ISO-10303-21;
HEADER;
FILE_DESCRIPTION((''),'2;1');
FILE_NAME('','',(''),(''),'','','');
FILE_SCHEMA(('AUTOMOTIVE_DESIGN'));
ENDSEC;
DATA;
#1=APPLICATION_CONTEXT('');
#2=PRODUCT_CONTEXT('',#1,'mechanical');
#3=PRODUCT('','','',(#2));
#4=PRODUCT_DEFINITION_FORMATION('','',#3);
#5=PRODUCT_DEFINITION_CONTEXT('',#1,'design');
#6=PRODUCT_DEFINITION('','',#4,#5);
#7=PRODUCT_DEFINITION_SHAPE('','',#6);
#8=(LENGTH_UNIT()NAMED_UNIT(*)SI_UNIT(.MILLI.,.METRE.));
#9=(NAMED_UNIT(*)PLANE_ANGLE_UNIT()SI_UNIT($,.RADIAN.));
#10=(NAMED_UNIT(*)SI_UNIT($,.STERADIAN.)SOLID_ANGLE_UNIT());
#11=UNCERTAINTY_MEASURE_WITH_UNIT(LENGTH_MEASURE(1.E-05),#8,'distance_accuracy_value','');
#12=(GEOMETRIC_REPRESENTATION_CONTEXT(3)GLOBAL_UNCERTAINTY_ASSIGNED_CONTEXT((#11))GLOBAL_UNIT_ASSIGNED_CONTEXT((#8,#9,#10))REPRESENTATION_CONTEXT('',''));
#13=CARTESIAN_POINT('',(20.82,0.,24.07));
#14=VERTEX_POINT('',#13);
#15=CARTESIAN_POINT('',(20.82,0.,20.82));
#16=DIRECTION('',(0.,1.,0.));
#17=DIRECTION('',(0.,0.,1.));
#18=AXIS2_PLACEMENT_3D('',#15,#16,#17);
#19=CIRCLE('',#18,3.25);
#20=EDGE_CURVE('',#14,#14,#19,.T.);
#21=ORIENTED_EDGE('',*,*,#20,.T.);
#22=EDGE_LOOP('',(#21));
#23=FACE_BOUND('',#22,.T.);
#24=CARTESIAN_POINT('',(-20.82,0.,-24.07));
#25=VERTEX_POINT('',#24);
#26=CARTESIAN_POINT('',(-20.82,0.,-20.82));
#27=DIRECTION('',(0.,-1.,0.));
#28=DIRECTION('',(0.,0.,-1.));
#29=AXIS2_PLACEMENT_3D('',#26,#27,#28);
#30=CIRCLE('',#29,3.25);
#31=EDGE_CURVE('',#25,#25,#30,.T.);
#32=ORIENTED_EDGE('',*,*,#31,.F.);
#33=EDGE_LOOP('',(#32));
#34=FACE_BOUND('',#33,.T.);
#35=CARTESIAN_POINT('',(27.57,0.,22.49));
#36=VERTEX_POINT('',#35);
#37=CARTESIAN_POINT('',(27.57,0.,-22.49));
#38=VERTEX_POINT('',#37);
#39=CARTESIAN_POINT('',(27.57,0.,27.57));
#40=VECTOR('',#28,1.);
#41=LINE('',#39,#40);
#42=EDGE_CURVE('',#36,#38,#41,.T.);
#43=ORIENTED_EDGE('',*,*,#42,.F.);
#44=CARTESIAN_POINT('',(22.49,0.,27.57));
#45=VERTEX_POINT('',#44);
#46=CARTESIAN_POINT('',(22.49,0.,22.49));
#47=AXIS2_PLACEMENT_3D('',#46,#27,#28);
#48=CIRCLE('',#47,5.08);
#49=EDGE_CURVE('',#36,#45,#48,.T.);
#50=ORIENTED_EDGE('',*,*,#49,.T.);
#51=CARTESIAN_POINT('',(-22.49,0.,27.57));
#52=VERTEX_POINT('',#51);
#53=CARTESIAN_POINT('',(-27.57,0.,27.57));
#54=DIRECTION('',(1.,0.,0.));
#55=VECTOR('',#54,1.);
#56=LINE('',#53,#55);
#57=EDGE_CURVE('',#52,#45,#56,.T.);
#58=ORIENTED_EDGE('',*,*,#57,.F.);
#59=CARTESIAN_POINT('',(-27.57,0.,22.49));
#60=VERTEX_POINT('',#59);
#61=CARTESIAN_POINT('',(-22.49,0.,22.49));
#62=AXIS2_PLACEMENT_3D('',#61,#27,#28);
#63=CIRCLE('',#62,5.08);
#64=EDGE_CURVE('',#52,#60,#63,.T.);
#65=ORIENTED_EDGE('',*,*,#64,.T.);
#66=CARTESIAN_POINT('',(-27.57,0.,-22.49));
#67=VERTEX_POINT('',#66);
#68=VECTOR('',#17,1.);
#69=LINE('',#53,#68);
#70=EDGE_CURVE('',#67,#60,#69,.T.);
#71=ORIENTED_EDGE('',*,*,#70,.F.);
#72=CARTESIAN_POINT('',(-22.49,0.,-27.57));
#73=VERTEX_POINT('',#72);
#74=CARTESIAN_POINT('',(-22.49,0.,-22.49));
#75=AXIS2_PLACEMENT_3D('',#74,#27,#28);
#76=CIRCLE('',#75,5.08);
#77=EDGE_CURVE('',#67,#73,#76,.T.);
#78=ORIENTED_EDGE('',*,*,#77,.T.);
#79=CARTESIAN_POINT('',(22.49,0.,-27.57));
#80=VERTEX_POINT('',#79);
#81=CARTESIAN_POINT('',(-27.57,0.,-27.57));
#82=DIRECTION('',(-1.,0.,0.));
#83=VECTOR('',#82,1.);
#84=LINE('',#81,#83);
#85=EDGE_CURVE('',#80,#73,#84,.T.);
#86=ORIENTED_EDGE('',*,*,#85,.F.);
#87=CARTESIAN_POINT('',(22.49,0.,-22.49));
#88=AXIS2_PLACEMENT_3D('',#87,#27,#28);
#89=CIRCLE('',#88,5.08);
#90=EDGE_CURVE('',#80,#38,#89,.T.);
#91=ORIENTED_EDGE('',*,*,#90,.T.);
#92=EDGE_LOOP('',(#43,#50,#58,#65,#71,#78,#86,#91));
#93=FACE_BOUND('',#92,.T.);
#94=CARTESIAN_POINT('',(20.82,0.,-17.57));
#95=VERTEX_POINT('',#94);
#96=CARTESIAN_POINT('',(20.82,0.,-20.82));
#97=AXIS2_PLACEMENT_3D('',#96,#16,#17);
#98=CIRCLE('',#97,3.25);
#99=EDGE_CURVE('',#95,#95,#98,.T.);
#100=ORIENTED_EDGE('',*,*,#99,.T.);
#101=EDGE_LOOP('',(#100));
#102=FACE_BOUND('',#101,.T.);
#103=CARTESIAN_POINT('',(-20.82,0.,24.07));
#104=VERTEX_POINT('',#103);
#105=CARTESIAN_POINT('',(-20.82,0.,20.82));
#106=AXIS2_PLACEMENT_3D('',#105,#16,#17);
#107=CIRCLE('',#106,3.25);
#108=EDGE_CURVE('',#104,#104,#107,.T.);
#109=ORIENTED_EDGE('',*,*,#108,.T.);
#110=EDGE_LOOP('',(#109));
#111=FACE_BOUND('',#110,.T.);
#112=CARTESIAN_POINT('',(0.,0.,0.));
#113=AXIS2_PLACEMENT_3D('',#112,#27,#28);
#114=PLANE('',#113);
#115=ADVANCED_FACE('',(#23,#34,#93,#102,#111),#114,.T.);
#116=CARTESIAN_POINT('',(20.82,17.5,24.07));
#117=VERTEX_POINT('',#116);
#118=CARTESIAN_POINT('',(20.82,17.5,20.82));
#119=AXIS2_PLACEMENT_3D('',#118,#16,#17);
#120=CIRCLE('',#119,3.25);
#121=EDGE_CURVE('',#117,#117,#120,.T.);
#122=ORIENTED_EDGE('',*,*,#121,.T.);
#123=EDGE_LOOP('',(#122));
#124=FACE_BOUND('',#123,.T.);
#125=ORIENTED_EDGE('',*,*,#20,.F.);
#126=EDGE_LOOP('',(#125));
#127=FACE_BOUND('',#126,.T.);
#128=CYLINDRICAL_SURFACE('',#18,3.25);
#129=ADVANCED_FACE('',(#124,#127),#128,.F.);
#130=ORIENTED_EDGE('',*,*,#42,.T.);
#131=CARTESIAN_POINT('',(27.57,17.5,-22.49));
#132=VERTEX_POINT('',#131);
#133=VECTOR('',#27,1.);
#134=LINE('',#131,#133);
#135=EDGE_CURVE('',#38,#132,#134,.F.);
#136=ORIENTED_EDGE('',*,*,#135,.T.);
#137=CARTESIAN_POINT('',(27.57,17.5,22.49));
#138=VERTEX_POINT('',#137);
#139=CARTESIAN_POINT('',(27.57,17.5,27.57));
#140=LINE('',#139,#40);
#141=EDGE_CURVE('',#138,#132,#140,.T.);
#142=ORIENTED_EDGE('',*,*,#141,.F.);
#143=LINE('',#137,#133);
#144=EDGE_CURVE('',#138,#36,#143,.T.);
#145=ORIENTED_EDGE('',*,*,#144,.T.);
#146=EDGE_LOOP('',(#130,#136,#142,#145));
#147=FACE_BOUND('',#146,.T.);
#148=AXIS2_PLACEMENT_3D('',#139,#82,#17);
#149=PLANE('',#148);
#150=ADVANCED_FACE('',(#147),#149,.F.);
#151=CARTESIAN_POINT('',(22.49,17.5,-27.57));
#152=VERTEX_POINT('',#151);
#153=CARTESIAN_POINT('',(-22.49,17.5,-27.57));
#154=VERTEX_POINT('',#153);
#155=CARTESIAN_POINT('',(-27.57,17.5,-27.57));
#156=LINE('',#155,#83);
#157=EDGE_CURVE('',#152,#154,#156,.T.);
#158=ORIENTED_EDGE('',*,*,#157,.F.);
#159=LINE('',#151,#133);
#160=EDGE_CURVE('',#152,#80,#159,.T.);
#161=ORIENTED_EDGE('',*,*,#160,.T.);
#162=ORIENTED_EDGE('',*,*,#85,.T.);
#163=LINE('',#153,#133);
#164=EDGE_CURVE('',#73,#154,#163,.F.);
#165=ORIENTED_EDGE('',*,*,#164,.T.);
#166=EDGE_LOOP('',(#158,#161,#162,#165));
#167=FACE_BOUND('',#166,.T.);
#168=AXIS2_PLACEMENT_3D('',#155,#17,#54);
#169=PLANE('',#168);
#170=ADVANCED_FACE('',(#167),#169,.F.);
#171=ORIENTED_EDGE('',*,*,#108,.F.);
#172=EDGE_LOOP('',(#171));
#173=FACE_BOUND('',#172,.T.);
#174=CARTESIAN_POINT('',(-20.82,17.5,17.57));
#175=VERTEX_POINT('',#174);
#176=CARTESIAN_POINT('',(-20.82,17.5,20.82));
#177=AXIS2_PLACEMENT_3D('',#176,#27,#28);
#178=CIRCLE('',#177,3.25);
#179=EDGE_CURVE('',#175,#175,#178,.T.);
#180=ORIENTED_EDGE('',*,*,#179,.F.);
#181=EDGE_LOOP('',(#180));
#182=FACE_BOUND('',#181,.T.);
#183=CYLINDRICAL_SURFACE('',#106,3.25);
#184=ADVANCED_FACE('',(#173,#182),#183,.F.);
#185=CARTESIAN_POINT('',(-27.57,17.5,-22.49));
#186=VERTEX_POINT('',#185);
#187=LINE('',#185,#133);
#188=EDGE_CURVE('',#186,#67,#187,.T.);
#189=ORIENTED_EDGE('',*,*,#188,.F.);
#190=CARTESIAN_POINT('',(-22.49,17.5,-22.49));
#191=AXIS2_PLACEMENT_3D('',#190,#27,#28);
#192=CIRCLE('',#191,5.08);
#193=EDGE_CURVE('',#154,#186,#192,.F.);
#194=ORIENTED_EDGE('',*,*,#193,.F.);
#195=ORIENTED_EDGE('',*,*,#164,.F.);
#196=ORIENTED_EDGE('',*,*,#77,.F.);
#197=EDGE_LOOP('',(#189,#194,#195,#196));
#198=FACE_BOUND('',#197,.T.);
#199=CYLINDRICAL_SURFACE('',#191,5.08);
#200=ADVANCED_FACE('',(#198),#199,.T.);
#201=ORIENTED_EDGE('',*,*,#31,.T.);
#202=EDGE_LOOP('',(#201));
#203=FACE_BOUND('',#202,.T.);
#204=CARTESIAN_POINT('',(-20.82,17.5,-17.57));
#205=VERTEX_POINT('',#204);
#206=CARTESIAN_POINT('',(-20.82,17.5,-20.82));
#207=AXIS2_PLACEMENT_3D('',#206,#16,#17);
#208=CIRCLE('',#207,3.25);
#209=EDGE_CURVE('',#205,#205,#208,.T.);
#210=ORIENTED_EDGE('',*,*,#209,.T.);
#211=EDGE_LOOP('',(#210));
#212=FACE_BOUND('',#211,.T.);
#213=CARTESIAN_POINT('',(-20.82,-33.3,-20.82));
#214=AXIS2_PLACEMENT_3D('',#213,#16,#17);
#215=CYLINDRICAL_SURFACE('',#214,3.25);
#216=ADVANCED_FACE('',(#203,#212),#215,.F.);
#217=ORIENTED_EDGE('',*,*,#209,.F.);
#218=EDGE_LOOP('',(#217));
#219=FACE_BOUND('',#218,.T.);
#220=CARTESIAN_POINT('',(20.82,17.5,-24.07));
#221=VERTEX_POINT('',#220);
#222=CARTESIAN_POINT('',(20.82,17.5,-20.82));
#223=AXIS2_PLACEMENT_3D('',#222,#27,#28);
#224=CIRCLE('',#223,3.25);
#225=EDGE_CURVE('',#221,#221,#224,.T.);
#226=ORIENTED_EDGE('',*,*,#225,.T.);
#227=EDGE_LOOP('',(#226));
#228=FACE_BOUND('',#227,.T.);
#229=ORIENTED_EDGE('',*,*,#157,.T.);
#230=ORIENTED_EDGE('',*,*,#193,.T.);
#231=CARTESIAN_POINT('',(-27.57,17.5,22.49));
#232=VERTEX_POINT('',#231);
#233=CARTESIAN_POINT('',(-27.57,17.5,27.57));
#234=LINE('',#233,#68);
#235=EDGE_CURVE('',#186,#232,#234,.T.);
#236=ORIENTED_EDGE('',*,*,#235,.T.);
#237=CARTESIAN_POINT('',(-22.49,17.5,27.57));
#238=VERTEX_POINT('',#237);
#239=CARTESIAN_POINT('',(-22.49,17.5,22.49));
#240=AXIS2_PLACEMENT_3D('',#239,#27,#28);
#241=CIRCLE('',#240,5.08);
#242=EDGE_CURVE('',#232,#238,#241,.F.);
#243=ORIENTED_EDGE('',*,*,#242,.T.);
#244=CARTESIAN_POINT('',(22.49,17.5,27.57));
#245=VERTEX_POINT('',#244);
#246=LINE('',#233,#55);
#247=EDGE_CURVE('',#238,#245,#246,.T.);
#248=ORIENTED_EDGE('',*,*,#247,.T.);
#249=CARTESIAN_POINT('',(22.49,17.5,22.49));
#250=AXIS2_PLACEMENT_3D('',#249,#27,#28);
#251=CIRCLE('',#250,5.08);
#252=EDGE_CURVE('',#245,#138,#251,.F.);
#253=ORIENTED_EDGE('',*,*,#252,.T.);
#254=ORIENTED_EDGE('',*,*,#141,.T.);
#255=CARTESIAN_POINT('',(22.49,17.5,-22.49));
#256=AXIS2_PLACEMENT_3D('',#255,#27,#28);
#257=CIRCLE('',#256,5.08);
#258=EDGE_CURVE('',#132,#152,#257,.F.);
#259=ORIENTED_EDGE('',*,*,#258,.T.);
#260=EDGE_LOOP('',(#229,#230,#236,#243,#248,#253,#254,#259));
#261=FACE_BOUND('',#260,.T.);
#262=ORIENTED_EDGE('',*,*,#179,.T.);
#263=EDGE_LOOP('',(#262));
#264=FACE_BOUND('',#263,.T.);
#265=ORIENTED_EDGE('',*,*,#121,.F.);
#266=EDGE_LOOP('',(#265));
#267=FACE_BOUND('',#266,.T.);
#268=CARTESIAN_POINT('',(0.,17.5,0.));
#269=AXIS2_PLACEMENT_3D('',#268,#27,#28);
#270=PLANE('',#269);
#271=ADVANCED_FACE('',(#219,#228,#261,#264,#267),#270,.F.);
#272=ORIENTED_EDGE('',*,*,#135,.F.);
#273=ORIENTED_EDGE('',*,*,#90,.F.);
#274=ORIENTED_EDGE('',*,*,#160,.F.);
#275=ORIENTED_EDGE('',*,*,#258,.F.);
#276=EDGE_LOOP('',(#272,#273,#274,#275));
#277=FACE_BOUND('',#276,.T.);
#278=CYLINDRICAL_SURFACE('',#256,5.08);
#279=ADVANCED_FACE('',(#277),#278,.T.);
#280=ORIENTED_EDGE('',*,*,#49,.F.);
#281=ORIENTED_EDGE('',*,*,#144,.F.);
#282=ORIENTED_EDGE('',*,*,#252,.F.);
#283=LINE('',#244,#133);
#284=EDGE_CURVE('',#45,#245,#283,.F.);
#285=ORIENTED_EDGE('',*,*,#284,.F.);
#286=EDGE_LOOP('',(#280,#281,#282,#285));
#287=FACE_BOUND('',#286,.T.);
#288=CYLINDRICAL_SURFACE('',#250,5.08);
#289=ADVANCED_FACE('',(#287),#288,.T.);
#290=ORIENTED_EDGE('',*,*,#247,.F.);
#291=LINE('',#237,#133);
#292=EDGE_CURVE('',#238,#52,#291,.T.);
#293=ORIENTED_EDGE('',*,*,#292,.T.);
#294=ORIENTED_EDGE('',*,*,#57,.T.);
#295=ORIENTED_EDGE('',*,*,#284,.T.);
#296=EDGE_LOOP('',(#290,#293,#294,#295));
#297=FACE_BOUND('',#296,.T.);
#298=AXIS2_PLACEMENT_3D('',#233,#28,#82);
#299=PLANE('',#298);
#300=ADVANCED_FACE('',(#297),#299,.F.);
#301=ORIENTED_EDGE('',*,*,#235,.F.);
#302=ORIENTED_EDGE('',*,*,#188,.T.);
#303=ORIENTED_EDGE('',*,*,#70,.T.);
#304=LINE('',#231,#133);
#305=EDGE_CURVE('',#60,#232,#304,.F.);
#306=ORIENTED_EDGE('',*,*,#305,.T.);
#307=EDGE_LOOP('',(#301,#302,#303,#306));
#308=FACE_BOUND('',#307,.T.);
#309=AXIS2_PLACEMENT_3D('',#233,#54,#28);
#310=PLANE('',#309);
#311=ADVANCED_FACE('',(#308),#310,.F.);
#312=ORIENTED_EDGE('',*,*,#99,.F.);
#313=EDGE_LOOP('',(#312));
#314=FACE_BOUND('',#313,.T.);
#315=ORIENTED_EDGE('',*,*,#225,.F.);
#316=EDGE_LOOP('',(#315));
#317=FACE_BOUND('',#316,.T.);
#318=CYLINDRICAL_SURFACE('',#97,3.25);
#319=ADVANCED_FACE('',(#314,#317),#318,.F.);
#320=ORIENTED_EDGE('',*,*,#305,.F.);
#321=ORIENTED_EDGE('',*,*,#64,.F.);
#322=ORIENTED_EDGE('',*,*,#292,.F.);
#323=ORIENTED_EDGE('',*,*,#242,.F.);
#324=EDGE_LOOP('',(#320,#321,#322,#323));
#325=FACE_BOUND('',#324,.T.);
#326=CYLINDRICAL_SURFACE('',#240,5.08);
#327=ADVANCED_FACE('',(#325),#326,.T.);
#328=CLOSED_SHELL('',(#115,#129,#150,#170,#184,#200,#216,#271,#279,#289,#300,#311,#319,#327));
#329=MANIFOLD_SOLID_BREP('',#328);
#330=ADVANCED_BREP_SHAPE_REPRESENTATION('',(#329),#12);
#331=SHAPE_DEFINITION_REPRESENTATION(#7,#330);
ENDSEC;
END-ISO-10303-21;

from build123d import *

# Parameters (mm, degrees)
SKETCH1_W               = 55.14
SKETCH1_H               = 55.14
BOSS_EXTRUDE1_DEPTH     = 17.5
SKETCH2_R               = 3.25
CUT_EXTRUDE1_DEPTH      = 50.8
FILLET1_R               = 5.08
SKETCH3_R               = 3.25
CUT_EXTRUDE2_DEPTH      = 1
CUT_EXTRUDE2_DEPTH_BACK = 18.5
FILLET2_R               = 5.08
SKETCH10_R              = 3.25
CUT_EXTRUDE3_DEPTH      = 1
CUT_EXTRUDE3_DEPTH_BACK = 18.5
SKETCH11_R              = 3.25
CUT_EXTRUDE4_DEPTH      = 1
CUT_EXTRUDE4_DEPTH_BACK = 18.5
FILLET3_R               = 5.08


with BuildPart() as part:
    # Sketch1 → Boss-Extrude1 (new body)
    with BuildSketch(Plane(origin=(0, 0, 0), x_dir=(1, 0, 0), z_dir=(0, 1, 0))):
        Rectangle(SKETCH1_W, SKETCH1_H)
    extrude(amount=BOSS_EXTRUDE1_DEPTH)

    # Sketch2 → Cut-Extrude1 (cut)
    with BuildSketch(Plane(origin=(0, 17.5, 0), x_dir=(1, 0, 0), z_dir=(0, 1, 0))):
        with Locations((-20.82, 20.82)):
            Circle(SKETCH2_R)
    extrude(amount=-CUT_EXTRUDE1_DEPTH, mode=Mode.SUBTRACT)

    # Fillet1
    fillet1_edges = [part.edges().sort_by_distance(p)[0] for p in [
        (-27.57, 8.75, -27.57),
    ]]
    fillet(fillet1_edges, radius=FILLET1_R)

    # Sketch3 → Cut-Extrude2 (cut, two sides)
    with BuildSketch(Plane(origin=(0, 17.5, 0), x_dir=(1, 0, 0), z_dir=(0, 1, 0))) as cut_extrude2_sk:
        with Locations((20.82, 20.82)):
            Circle(SKETCH3_R)
    extrude(amount=CUT_EXTRUDE2_DEPTH, mode=Mode.SUBTRACT)
    extrude(cut_extrude2_sk.sketch, amount=-CUT_EXTRUDE2_DEPTH_BACK, mode=Mode.SUBTRACT)

    # Fillet2
    fillet2_edges = [part.edges().sort_by_distance(p)[0] for p in [
        (27.57, 8.75, -27.57),
    ]]
    fillet(fillet2_edges, radius=FILLET2_R)

    # Sketch10 → Cut-Extrude3 (cut, two sides)
    with BuildSketch(Plane(origin=(0, 17.5, 0), x_dir=(1, 0, 0), z_dir=(0, 1, 0))) as cut_extrude3_sk:
        with Locations((-20.82, -20.82)):
            Circle(SKETCH10_R)
    extrude(amount=CUT_EXTRUDE3_DEPTH, mode=Mode.SUBTRACT)
    extrude(cut_extrude3_sk.sketch, amount=-CUT_EXTRUDE3_DEPTH_BACK, mode=Mode.SUBTRACT)

    # Sketch11 → Cut-Extrude4 (cut, two sides)
    with BuildSketch(Plane(origin=(0, 17.5, 0), x_dir=(1, 0, 0), z_dir=(0, 1, 0))) as cut_extrude4_sk:
        with Locations((20.82, -20.82)):
            Circle(SKETCH11_R)
    extrude(amount=CUT_EXTRUDE4_DEPTH, mode=Mode.SUBTRACT)
    extrude(cut_extrude4_sk.sketch, amount=-CUT_EXTRUDE4_DEPTH_BACK, mode=Mode.SUBTRACT)

    # Fillet3
    fillet3_edges = [part.edges().sort_by_distance(p)[0] for p in [
        (27.57, 8.75, 27.57),
        (-27.57, 8.75, 27.57),
    ]]
    fillet(fillet3_edges, radius=FILLET3_R)


solid = part.part
